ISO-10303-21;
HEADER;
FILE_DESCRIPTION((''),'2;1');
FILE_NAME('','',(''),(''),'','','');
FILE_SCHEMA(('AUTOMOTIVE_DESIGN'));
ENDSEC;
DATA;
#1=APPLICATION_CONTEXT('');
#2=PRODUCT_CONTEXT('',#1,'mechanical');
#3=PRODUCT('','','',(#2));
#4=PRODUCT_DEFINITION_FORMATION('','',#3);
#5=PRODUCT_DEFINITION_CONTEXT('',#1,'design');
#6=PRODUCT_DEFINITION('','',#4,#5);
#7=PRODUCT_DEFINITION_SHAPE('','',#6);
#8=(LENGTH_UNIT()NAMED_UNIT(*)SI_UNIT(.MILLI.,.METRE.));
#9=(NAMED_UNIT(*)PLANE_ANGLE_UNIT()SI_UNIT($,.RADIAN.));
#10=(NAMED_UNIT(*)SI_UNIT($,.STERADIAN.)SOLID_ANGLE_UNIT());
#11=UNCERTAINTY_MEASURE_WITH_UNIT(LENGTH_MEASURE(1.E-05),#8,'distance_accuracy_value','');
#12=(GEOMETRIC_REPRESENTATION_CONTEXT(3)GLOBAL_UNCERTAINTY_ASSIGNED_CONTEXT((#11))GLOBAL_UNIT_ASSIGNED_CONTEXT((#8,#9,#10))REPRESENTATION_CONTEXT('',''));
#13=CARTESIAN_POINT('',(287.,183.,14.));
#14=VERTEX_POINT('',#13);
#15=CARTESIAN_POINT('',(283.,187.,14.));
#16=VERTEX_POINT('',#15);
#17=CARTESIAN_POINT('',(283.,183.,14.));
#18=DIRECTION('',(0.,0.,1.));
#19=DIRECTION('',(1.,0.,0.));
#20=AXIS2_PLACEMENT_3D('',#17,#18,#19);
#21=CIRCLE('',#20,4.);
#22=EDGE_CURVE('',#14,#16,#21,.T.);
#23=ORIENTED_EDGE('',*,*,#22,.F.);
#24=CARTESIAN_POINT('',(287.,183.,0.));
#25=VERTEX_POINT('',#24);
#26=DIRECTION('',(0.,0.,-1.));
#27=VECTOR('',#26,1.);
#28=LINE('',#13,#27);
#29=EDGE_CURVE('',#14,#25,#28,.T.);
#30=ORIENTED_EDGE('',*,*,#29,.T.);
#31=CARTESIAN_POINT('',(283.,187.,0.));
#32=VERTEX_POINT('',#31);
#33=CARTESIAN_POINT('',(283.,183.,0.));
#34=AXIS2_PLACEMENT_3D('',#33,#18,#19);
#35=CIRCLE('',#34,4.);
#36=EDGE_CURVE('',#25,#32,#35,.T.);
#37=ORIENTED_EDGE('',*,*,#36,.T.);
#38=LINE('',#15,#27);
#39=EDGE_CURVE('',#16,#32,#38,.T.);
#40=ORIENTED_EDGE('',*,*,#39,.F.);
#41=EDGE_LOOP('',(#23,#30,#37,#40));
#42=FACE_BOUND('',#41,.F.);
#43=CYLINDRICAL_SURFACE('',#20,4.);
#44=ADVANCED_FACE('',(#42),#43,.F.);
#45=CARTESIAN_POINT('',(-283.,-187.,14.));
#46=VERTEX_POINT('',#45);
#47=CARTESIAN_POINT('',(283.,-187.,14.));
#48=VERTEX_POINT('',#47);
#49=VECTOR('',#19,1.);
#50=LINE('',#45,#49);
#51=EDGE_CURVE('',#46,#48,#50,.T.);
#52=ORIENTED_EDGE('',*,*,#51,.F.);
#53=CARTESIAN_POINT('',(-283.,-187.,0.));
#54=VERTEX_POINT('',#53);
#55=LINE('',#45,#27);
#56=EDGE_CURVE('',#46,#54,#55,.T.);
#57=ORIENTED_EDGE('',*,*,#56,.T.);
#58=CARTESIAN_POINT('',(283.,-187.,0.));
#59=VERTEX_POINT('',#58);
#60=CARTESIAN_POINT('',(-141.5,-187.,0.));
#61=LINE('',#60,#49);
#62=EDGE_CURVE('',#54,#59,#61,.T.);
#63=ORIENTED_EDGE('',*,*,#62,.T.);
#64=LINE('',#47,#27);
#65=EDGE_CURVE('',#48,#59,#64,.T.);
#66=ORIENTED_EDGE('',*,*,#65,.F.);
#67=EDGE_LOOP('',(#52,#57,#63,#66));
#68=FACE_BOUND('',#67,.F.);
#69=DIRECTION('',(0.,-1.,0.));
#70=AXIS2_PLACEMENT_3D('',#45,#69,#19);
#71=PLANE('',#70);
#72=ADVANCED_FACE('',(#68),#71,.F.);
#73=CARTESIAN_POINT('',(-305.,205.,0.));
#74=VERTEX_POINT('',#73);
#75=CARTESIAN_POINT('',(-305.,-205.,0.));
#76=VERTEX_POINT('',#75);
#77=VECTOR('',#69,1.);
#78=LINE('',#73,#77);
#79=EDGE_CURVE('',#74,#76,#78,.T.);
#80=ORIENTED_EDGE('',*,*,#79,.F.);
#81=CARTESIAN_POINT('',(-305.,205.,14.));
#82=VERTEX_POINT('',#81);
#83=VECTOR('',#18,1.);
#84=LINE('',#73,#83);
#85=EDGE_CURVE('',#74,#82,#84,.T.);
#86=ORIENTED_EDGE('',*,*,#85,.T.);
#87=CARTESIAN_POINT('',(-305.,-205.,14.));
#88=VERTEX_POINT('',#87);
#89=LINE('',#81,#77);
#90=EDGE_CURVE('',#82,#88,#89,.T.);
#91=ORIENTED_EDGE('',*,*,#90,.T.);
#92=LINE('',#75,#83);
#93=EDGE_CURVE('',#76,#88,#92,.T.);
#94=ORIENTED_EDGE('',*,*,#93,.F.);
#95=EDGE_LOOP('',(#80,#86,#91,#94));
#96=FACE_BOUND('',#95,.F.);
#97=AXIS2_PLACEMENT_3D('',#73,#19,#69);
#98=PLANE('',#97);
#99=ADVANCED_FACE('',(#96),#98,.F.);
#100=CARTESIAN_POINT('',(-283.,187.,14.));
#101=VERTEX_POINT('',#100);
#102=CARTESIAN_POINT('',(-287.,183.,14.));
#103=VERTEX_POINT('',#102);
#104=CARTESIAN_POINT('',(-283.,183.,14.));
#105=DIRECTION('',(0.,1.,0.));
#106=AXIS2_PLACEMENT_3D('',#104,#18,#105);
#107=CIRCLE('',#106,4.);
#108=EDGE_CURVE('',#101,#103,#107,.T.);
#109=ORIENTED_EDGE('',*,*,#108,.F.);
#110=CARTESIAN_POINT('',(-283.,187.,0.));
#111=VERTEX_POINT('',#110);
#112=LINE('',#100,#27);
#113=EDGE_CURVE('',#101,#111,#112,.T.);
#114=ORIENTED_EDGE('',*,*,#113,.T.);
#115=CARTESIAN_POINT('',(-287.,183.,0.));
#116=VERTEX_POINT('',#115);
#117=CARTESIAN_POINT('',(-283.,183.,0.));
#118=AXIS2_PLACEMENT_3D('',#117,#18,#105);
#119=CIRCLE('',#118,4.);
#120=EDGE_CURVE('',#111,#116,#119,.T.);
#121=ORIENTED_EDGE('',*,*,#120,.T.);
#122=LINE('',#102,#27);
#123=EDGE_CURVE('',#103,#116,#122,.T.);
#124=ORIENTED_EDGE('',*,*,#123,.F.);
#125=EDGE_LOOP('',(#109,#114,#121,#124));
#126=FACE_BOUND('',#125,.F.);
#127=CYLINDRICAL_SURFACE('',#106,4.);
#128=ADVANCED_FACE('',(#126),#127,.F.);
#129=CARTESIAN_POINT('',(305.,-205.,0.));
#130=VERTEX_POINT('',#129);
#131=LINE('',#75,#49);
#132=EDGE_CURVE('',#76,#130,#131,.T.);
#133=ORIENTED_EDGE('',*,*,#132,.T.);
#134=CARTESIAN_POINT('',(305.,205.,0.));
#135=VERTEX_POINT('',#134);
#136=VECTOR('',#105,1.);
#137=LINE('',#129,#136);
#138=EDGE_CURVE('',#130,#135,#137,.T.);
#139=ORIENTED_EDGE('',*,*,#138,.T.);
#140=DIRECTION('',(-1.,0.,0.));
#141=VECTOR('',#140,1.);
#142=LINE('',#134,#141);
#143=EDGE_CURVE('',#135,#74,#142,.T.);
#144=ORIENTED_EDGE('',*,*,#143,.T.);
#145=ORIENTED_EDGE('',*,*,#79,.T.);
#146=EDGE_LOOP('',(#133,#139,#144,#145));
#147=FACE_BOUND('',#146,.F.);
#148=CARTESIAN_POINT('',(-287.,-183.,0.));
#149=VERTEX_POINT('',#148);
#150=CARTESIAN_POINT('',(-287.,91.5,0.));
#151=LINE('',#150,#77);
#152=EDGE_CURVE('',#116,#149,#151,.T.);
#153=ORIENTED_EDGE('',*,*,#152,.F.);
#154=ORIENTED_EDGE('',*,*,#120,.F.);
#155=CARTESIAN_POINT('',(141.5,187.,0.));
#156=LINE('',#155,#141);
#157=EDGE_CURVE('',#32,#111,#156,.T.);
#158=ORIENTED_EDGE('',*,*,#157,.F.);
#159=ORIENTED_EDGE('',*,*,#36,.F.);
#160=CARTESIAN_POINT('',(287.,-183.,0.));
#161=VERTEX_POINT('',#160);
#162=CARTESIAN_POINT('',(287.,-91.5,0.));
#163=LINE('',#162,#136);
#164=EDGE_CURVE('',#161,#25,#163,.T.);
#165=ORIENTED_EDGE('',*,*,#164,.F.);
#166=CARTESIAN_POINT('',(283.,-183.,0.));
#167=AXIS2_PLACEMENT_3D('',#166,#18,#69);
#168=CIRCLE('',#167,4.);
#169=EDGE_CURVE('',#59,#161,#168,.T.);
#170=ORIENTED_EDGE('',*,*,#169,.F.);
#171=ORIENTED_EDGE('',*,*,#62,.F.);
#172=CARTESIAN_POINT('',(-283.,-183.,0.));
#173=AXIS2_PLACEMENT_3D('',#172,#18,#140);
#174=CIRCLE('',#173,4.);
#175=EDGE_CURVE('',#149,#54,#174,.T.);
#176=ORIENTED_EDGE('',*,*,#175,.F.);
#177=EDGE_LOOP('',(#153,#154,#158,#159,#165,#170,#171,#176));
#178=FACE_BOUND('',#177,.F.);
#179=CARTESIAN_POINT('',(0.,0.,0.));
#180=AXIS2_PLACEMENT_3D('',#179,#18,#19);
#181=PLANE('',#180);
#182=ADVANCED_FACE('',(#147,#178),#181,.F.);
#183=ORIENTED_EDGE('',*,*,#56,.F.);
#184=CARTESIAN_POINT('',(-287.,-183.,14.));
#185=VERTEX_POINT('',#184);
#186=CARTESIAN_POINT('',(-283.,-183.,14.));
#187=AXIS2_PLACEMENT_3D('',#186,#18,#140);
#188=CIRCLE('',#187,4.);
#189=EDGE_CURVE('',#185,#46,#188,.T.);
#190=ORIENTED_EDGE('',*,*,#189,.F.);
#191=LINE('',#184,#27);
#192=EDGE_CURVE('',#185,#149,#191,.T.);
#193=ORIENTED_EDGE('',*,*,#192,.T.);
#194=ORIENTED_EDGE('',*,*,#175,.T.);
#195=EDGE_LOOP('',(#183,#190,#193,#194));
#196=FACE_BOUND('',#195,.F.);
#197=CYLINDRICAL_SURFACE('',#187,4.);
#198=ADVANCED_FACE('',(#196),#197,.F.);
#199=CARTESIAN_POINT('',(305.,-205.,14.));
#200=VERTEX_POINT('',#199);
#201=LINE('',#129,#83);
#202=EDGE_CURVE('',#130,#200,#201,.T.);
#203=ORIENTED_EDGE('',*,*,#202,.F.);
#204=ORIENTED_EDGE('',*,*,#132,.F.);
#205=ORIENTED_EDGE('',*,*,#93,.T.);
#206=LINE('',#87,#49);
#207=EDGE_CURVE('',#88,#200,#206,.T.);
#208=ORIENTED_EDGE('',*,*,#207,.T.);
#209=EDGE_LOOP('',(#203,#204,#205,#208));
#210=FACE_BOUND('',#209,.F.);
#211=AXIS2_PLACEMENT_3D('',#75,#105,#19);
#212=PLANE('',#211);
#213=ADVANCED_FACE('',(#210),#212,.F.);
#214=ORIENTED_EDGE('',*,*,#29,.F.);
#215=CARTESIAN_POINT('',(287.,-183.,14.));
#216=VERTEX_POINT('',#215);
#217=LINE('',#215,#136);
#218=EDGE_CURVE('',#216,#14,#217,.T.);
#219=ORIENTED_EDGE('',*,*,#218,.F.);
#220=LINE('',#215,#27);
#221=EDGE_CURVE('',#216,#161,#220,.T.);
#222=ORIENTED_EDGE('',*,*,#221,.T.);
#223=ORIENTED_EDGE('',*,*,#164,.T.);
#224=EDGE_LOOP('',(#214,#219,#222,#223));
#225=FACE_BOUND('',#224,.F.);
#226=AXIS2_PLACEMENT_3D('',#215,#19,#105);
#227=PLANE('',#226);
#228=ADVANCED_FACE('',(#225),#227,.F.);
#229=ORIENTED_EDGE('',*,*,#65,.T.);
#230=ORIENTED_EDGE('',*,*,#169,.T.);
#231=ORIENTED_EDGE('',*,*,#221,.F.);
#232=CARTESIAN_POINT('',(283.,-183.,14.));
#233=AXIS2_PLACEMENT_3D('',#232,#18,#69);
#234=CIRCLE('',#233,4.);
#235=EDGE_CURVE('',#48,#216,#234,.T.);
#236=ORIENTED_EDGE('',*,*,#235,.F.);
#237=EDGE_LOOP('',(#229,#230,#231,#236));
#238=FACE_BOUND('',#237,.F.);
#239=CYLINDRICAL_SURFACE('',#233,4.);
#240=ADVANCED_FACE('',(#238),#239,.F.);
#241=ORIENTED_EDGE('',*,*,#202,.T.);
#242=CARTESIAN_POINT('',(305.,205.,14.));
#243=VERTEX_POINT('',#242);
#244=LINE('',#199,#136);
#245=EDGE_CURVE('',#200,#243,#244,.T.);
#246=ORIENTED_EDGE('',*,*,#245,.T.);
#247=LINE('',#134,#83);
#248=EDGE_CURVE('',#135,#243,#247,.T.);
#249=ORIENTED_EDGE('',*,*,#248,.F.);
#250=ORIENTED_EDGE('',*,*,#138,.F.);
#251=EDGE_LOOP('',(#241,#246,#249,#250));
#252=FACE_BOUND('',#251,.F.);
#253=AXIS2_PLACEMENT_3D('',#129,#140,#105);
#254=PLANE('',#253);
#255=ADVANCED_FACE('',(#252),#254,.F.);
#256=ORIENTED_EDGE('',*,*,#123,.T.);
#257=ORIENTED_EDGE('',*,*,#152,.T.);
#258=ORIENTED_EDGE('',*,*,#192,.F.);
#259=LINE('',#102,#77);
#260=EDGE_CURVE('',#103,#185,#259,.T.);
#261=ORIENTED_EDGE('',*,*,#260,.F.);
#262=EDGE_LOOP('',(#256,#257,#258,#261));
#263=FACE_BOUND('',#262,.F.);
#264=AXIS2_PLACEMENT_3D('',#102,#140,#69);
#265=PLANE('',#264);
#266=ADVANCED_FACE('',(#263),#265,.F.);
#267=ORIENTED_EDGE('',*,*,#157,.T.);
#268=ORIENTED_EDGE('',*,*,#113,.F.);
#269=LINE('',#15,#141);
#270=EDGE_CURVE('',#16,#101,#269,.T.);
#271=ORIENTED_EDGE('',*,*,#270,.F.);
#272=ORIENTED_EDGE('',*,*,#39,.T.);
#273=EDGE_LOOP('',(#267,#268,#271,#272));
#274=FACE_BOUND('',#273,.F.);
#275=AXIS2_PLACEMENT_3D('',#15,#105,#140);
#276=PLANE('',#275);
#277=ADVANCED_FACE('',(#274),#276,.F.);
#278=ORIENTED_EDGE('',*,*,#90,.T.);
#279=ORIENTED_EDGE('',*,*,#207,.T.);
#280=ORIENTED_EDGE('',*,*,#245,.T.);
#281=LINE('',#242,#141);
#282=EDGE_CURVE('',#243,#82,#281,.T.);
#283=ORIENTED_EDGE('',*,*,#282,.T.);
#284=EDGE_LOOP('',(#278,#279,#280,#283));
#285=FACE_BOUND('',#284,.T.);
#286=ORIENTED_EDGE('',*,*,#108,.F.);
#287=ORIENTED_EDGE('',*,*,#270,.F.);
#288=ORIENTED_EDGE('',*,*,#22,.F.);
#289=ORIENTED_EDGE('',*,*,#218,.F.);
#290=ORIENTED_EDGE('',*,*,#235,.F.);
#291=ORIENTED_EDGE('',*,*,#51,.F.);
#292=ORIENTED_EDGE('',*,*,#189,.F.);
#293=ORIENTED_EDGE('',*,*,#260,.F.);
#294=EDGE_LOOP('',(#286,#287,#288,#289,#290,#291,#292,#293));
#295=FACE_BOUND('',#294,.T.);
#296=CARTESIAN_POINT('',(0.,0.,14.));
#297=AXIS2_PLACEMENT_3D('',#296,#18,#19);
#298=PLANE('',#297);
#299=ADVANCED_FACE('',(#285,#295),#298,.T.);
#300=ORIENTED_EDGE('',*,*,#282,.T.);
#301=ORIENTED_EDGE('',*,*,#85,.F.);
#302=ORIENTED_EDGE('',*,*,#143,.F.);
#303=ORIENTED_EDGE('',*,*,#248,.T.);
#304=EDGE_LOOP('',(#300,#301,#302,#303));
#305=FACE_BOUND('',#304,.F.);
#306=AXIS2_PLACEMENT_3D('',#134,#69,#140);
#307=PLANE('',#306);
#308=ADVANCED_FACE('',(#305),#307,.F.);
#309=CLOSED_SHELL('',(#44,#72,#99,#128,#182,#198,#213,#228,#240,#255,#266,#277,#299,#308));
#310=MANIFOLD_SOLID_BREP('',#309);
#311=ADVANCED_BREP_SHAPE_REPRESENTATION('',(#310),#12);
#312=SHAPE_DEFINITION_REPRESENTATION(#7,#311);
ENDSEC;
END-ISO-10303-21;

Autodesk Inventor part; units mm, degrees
ref_plane "YZ Plane" through (0, 0, 0) normal (1, 0, 0) x (0, 1, 0)
ref_plane "XZ Plane" through (0, 0, 0) normal (0, 1, 0) x (-1, 0, 0)
ref_plane "XY Plane" through (0, 0, 0) normal (0, 0, 1) x (1, 0, 0)
sketch "Sketch2" plane through (0, 0, 0) normal (0, 0, 1) x (1, 0, 0)
  line L0 (-305, -205) -> (305, -205)
  line L1 (305, -205) -> (305, 205)
  line L2 (305, 205) -> (-305, 205)
  line L3 (-305, 205) -> (-305, -205)
  line L4 (-305, -205) -> (305, 205) construction
  line L5 (305, -205) -> (-305, 205) construction
  point P0 (0, 0)
  dimension "d0" = 610
  dimension "d1" = 410
extrude "Extrusion1" add sketch "Sketch2" along normal blind 14
sketch "Sketch3" plane through (0, 0, 14) normal (0, 0, 1) x (1, 0, 0)
  line L0 (-283, -187) -> (283, -187)
  line L1 (287, -183) -> (287, 183)
  line L2 (283, 187) -> (-283, 187)
  line L3 (-287, 183) -> (-287, -183)
  line L4 (-287, -187) -> (287, 187) construction
  line L5 (287, -187) -> (-287, 187) construction
  arc A0 (-283, 187) -> (-287, 183) centre (-283, 183) ccw
  arc A1 (287, 183) -> (283, 187) centre (283, 183) ccw
  arc A2 (283, -187) -> (287, -183) centre (283, -183) ccw
  arc A3 (-287, -183) -> (-283, -187) centre (-283, -183) ccw
  point P0 (0, 0)
  dimension "d4" = 374
  dimension "d5" = 574
  dimension "d6" = 4
extrude "Extrusion2" cut sketch "Sketch3" against normal through all
properties part number "RT_TR_MC_001_TopPlate"
